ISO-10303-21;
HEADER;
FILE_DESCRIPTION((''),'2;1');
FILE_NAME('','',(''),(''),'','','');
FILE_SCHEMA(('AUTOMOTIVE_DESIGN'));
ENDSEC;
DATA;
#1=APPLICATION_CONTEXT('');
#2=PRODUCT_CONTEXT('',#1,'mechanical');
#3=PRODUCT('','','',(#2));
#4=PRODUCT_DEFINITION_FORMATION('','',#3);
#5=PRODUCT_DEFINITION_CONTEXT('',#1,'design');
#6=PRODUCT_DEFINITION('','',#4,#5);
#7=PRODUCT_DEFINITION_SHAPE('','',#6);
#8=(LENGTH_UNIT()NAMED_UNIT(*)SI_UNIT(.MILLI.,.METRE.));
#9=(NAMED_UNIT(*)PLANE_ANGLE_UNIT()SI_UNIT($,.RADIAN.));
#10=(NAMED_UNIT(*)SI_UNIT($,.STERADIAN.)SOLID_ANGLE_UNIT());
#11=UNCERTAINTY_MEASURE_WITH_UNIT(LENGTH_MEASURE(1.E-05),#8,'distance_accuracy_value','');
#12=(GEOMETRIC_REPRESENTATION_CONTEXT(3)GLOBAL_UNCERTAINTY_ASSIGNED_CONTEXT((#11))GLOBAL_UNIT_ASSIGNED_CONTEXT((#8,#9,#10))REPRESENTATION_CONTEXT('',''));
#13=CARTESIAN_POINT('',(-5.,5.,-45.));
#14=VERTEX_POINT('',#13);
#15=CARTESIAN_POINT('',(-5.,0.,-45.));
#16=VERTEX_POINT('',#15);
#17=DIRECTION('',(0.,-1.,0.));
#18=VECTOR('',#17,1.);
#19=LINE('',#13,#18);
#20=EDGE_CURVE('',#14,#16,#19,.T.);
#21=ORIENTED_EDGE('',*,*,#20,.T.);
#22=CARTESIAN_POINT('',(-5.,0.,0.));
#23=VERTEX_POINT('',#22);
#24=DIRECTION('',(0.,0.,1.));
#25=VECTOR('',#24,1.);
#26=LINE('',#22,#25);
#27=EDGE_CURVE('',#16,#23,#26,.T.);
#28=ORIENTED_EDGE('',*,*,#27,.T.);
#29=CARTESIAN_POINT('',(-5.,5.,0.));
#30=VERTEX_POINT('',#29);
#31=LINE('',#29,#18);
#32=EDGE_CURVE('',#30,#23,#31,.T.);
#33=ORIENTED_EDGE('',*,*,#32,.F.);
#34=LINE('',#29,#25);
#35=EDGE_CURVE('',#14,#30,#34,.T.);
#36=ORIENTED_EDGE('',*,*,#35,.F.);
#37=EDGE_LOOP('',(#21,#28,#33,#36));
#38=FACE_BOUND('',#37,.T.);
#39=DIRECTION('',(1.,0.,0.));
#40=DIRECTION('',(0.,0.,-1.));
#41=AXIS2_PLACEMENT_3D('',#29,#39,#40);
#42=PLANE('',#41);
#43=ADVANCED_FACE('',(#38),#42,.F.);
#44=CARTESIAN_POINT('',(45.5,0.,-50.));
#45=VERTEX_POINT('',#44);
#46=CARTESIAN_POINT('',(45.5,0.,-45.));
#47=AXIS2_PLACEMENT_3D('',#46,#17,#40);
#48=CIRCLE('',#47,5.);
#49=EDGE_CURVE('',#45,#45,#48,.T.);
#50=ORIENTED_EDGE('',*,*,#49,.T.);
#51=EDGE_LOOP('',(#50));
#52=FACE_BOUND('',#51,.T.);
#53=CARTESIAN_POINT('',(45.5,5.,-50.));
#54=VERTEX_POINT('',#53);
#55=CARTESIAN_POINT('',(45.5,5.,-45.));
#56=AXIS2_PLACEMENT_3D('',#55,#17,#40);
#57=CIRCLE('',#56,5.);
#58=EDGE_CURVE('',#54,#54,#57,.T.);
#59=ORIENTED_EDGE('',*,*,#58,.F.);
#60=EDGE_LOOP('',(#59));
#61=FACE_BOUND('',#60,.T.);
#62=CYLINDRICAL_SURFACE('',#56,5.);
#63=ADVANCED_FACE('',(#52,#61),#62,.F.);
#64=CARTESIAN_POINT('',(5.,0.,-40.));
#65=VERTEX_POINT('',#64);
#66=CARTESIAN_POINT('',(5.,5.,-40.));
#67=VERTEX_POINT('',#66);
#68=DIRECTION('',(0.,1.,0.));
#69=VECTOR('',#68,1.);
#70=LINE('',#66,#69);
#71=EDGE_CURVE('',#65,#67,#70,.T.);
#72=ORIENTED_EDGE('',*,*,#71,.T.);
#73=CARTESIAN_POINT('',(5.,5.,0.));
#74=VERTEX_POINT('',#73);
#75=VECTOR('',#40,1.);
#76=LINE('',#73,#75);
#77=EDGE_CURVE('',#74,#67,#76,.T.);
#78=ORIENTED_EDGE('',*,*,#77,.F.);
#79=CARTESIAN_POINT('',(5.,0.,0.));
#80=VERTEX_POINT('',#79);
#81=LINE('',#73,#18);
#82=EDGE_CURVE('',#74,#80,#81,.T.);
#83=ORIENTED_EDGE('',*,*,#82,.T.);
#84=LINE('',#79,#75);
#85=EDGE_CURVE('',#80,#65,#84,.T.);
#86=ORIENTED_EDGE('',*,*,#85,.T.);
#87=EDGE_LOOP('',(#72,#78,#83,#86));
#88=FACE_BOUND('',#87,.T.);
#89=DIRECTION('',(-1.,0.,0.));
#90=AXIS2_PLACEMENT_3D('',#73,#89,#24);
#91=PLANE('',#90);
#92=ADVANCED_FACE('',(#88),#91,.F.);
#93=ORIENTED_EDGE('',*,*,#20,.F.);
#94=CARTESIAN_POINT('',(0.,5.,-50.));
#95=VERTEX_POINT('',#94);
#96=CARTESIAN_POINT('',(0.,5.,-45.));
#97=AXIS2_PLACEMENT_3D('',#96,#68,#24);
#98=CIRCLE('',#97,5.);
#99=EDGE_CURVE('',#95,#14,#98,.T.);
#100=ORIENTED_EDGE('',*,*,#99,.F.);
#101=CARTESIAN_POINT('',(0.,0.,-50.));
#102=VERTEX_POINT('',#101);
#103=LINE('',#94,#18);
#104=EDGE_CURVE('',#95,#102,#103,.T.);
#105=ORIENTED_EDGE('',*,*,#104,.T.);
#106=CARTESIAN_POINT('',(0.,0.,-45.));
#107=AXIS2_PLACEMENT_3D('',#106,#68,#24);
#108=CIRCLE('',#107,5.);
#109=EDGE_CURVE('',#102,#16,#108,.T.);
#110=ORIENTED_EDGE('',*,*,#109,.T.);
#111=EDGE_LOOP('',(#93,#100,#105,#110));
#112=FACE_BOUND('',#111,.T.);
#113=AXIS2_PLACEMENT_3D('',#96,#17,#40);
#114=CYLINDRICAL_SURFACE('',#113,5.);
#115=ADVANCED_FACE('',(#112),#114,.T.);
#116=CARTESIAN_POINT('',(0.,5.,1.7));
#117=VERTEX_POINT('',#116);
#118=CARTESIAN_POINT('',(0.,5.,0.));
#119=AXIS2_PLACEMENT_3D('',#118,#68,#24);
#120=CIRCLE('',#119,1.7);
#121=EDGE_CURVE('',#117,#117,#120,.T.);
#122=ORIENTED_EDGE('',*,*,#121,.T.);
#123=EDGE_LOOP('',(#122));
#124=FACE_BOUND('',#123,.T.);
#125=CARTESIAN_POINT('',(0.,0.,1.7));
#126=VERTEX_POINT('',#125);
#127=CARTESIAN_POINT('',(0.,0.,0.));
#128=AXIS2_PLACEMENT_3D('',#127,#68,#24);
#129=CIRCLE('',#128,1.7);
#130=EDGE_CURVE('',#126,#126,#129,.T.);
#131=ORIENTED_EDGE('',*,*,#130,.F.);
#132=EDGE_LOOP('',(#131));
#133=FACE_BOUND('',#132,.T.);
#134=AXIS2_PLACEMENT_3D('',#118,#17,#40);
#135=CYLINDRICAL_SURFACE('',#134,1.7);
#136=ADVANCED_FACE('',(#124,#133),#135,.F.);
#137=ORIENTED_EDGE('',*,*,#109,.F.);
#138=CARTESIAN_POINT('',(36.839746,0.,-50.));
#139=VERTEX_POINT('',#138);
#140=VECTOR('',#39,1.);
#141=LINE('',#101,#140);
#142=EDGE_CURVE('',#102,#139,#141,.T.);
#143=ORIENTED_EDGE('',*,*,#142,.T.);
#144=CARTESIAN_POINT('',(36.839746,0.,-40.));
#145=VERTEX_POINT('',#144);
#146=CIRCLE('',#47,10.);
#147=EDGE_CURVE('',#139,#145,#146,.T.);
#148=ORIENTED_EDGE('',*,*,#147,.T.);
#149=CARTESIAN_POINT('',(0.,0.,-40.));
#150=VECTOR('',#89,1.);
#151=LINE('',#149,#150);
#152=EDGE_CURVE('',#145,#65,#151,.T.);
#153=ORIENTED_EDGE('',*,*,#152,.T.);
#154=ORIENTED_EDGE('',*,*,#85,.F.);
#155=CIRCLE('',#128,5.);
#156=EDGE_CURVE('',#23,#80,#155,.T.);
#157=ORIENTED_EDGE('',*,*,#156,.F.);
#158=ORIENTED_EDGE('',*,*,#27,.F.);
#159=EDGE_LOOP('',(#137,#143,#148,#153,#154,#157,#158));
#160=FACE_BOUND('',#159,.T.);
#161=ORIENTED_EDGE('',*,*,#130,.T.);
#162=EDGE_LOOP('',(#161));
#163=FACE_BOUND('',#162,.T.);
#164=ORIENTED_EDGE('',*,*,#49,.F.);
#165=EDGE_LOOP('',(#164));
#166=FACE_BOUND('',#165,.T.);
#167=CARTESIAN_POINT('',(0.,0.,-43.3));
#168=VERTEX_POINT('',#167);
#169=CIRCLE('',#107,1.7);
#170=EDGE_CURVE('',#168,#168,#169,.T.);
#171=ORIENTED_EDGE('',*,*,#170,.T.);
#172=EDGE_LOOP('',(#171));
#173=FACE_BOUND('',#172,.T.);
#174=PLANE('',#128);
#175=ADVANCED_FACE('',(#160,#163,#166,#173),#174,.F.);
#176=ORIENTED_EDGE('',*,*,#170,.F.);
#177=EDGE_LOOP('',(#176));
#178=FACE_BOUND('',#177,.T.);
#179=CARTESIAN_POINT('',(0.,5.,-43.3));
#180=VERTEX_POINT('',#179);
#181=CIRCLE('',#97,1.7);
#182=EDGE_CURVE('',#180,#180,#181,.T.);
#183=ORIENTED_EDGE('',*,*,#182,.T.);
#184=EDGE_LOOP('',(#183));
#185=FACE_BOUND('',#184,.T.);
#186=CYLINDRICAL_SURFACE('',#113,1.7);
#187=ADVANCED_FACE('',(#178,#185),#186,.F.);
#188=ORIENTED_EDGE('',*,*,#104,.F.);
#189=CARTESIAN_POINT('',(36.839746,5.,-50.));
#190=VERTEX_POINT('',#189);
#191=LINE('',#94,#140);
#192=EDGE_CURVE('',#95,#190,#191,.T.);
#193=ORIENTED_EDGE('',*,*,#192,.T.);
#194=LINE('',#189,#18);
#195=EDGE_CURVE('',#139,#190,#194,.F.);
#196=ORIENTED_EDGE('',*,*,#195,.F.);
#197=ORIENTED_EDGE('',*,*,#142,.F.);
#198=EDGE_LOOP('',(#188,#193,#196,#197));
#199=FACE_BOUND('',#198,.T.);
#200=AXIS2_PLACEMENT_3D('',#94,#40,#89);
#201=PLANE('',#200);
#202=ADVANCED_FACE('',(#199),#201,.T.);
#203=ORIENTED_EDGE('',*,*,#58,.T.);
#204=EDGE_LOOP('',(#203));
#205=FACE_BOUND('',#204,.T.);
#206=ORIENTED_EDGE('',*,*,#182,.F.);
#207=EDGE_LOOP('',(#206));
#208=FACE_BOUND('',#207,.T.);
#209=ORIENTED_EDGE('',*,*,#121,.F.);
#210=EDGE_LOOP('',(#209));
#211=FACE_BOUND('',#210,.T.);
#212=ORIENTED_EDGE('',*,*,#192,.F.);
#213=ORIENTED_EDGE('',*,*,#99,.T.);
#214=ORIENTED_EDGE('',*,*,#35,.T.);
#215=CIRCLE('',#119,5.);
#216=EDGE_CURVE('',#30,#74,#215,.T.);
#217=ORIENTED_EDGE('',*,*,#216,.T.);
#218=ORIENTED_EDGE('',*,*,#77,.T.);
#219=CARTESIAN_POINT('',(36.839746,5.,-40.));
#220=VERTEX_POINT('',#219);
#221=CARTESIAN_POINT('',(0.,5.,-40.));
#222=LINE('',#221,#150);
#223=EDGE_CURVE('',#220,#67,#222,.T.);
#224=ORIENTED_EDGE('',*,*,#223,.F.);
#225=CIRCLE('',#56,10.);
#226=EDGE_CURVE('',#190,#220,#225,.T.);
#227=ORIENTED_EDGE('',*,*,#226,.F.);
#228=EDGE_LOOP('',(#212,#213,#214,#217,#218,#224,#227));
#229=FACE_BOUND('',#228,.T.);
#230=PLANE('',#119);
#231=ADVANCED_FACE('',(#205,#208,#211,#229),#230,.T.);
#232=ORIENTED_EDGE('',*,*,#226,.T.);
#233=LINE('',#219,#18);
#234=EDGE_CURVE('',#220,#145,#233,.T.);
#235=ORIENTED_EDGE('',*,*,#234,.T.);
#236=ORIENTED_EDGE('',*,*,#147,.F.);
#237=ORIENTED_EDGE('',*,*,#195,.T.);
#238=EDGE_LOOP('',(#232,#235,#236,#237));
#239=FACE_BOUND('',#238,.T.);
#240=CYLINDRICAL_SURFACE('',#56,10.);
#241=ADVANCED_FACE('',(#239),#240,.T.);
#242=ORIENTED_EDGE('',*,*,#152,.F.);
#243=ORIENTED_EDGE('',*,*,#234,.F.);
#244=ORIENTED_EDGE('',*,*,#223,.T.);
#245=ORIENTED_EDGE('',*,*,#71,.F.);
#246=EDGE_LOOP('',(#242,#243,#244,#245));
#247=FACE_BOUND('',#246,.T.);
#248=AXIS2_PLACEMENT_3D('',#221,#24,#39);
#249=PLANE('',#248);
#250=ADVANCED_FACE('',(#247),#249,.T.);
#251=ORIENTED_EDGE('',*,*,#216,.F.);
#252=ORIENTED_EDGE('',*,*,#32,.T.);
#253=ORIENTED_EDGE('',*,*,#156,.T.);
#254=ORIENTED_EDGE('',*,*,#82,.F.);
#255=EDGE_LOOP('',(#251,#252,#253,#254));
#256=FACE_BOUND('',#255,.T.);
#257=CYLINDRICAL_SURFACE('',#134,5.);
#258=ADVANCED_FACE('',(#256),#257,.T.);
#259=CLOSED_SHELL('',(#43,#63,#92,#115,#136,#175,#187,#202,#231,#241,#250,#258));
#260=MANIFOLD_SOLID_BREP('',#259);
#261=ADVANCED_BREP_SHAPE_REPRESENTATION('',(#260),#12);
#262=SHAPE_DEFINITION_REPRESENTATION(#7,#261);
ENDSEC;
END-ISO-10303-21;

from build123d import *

# Parameters (mm, degrees)
SKETCH1_R           = 1.7
BOSS_EXTRUDE1_DEPTH = 5
SKETCH2_R           = 1.7
BOSS_EXTRUDE2_DEPTH = 5
SKETCH3_R           = 10
SKETCH3_R_2         = 5
BOSS_EXTRUDE3_DEPTH = 5
SKETCH4_R           = 5
CUT_EXTRUDE1_DEPTH  = 5


with BuildPart() as part:
    # Sketch1 → Boss-Extrude1 (new body)
    with BuildSketch(Plane(origin=(0, 0, 0), x_dir=(1, 0, 0), z_dir=(0, 1, 0))):
        with BuildLine():
            Line((-5, 0), (-5, 45))
            ThreePointArc((-5, 45), (0, 50), (5, 45))
            Line((5, 45), (5, 0))
            ThreePointArc((5, 0), (0, -5), (-5, 0))
        make_face()
        with Locations(Location((0, 0, 0), (0, 0, 270))):
            Circle(SKETCH1_R, mode=Mode.SUBTRACT)
        with Locations(Location((0, 45, 0), (0, 0, 270))):
            Circle(SKETCH1_R, mode=Mode.SUBTRACT)
    extrude(amount=BOSS_EXTRUDE1_DEPTH)

    # Sketch2 → Boss-Extrude2 (add)
    with BuildSketch(Plane.XZ):
        with BuildLine():
            Line((0, -40), (45.5, -40))
            ThreePointArc((45.5, -40), (50.5, -45), (45.5, -50))
            Line((45.5, -50), (0, -50))
            ThreePointArc((0, -50), (-5, -45), (0, -40))
        make_face()
        with Locations(Location((45.5, -45, 0), (0, 0, 270))):
            Circle(SKETCH2_R, mode=Mode.SUBTRACT)
        with Locations(Location((0, -45, 0), (0, 0, 90))):
            Circle(SKETCH2_R, mode=Mode.SUBTRACT)
    extrude(amount=-BOSS_EXTRUDE2_DEPTH)

    # Sketch3 → Boss-Extrude3 (add)
    with BuildSketch(Plane.XZ):
        with Locations((45.5, -45)):
            Circle(SKETCH3_R)
        with Locations((45.5, -45)):
            Circle(SKETCH3_R_2, mode=Mode.SUBTRACT)
    extrude(amount=-BOSS_EXTRUDE3_DEPTH)

    # Sketch4 → Cut-Extrude1 (cut)
    with BuildSketch(Plane.XZ):
        with Locations(Location((45.5, -45, 0), (0, 0, 270))):
            Circle(SKETCH4_R)
    extrude(amount=-CUT_EXTRUDE1_DEPTH, mode=Mode.SUBTRACT)


solid = part.part
